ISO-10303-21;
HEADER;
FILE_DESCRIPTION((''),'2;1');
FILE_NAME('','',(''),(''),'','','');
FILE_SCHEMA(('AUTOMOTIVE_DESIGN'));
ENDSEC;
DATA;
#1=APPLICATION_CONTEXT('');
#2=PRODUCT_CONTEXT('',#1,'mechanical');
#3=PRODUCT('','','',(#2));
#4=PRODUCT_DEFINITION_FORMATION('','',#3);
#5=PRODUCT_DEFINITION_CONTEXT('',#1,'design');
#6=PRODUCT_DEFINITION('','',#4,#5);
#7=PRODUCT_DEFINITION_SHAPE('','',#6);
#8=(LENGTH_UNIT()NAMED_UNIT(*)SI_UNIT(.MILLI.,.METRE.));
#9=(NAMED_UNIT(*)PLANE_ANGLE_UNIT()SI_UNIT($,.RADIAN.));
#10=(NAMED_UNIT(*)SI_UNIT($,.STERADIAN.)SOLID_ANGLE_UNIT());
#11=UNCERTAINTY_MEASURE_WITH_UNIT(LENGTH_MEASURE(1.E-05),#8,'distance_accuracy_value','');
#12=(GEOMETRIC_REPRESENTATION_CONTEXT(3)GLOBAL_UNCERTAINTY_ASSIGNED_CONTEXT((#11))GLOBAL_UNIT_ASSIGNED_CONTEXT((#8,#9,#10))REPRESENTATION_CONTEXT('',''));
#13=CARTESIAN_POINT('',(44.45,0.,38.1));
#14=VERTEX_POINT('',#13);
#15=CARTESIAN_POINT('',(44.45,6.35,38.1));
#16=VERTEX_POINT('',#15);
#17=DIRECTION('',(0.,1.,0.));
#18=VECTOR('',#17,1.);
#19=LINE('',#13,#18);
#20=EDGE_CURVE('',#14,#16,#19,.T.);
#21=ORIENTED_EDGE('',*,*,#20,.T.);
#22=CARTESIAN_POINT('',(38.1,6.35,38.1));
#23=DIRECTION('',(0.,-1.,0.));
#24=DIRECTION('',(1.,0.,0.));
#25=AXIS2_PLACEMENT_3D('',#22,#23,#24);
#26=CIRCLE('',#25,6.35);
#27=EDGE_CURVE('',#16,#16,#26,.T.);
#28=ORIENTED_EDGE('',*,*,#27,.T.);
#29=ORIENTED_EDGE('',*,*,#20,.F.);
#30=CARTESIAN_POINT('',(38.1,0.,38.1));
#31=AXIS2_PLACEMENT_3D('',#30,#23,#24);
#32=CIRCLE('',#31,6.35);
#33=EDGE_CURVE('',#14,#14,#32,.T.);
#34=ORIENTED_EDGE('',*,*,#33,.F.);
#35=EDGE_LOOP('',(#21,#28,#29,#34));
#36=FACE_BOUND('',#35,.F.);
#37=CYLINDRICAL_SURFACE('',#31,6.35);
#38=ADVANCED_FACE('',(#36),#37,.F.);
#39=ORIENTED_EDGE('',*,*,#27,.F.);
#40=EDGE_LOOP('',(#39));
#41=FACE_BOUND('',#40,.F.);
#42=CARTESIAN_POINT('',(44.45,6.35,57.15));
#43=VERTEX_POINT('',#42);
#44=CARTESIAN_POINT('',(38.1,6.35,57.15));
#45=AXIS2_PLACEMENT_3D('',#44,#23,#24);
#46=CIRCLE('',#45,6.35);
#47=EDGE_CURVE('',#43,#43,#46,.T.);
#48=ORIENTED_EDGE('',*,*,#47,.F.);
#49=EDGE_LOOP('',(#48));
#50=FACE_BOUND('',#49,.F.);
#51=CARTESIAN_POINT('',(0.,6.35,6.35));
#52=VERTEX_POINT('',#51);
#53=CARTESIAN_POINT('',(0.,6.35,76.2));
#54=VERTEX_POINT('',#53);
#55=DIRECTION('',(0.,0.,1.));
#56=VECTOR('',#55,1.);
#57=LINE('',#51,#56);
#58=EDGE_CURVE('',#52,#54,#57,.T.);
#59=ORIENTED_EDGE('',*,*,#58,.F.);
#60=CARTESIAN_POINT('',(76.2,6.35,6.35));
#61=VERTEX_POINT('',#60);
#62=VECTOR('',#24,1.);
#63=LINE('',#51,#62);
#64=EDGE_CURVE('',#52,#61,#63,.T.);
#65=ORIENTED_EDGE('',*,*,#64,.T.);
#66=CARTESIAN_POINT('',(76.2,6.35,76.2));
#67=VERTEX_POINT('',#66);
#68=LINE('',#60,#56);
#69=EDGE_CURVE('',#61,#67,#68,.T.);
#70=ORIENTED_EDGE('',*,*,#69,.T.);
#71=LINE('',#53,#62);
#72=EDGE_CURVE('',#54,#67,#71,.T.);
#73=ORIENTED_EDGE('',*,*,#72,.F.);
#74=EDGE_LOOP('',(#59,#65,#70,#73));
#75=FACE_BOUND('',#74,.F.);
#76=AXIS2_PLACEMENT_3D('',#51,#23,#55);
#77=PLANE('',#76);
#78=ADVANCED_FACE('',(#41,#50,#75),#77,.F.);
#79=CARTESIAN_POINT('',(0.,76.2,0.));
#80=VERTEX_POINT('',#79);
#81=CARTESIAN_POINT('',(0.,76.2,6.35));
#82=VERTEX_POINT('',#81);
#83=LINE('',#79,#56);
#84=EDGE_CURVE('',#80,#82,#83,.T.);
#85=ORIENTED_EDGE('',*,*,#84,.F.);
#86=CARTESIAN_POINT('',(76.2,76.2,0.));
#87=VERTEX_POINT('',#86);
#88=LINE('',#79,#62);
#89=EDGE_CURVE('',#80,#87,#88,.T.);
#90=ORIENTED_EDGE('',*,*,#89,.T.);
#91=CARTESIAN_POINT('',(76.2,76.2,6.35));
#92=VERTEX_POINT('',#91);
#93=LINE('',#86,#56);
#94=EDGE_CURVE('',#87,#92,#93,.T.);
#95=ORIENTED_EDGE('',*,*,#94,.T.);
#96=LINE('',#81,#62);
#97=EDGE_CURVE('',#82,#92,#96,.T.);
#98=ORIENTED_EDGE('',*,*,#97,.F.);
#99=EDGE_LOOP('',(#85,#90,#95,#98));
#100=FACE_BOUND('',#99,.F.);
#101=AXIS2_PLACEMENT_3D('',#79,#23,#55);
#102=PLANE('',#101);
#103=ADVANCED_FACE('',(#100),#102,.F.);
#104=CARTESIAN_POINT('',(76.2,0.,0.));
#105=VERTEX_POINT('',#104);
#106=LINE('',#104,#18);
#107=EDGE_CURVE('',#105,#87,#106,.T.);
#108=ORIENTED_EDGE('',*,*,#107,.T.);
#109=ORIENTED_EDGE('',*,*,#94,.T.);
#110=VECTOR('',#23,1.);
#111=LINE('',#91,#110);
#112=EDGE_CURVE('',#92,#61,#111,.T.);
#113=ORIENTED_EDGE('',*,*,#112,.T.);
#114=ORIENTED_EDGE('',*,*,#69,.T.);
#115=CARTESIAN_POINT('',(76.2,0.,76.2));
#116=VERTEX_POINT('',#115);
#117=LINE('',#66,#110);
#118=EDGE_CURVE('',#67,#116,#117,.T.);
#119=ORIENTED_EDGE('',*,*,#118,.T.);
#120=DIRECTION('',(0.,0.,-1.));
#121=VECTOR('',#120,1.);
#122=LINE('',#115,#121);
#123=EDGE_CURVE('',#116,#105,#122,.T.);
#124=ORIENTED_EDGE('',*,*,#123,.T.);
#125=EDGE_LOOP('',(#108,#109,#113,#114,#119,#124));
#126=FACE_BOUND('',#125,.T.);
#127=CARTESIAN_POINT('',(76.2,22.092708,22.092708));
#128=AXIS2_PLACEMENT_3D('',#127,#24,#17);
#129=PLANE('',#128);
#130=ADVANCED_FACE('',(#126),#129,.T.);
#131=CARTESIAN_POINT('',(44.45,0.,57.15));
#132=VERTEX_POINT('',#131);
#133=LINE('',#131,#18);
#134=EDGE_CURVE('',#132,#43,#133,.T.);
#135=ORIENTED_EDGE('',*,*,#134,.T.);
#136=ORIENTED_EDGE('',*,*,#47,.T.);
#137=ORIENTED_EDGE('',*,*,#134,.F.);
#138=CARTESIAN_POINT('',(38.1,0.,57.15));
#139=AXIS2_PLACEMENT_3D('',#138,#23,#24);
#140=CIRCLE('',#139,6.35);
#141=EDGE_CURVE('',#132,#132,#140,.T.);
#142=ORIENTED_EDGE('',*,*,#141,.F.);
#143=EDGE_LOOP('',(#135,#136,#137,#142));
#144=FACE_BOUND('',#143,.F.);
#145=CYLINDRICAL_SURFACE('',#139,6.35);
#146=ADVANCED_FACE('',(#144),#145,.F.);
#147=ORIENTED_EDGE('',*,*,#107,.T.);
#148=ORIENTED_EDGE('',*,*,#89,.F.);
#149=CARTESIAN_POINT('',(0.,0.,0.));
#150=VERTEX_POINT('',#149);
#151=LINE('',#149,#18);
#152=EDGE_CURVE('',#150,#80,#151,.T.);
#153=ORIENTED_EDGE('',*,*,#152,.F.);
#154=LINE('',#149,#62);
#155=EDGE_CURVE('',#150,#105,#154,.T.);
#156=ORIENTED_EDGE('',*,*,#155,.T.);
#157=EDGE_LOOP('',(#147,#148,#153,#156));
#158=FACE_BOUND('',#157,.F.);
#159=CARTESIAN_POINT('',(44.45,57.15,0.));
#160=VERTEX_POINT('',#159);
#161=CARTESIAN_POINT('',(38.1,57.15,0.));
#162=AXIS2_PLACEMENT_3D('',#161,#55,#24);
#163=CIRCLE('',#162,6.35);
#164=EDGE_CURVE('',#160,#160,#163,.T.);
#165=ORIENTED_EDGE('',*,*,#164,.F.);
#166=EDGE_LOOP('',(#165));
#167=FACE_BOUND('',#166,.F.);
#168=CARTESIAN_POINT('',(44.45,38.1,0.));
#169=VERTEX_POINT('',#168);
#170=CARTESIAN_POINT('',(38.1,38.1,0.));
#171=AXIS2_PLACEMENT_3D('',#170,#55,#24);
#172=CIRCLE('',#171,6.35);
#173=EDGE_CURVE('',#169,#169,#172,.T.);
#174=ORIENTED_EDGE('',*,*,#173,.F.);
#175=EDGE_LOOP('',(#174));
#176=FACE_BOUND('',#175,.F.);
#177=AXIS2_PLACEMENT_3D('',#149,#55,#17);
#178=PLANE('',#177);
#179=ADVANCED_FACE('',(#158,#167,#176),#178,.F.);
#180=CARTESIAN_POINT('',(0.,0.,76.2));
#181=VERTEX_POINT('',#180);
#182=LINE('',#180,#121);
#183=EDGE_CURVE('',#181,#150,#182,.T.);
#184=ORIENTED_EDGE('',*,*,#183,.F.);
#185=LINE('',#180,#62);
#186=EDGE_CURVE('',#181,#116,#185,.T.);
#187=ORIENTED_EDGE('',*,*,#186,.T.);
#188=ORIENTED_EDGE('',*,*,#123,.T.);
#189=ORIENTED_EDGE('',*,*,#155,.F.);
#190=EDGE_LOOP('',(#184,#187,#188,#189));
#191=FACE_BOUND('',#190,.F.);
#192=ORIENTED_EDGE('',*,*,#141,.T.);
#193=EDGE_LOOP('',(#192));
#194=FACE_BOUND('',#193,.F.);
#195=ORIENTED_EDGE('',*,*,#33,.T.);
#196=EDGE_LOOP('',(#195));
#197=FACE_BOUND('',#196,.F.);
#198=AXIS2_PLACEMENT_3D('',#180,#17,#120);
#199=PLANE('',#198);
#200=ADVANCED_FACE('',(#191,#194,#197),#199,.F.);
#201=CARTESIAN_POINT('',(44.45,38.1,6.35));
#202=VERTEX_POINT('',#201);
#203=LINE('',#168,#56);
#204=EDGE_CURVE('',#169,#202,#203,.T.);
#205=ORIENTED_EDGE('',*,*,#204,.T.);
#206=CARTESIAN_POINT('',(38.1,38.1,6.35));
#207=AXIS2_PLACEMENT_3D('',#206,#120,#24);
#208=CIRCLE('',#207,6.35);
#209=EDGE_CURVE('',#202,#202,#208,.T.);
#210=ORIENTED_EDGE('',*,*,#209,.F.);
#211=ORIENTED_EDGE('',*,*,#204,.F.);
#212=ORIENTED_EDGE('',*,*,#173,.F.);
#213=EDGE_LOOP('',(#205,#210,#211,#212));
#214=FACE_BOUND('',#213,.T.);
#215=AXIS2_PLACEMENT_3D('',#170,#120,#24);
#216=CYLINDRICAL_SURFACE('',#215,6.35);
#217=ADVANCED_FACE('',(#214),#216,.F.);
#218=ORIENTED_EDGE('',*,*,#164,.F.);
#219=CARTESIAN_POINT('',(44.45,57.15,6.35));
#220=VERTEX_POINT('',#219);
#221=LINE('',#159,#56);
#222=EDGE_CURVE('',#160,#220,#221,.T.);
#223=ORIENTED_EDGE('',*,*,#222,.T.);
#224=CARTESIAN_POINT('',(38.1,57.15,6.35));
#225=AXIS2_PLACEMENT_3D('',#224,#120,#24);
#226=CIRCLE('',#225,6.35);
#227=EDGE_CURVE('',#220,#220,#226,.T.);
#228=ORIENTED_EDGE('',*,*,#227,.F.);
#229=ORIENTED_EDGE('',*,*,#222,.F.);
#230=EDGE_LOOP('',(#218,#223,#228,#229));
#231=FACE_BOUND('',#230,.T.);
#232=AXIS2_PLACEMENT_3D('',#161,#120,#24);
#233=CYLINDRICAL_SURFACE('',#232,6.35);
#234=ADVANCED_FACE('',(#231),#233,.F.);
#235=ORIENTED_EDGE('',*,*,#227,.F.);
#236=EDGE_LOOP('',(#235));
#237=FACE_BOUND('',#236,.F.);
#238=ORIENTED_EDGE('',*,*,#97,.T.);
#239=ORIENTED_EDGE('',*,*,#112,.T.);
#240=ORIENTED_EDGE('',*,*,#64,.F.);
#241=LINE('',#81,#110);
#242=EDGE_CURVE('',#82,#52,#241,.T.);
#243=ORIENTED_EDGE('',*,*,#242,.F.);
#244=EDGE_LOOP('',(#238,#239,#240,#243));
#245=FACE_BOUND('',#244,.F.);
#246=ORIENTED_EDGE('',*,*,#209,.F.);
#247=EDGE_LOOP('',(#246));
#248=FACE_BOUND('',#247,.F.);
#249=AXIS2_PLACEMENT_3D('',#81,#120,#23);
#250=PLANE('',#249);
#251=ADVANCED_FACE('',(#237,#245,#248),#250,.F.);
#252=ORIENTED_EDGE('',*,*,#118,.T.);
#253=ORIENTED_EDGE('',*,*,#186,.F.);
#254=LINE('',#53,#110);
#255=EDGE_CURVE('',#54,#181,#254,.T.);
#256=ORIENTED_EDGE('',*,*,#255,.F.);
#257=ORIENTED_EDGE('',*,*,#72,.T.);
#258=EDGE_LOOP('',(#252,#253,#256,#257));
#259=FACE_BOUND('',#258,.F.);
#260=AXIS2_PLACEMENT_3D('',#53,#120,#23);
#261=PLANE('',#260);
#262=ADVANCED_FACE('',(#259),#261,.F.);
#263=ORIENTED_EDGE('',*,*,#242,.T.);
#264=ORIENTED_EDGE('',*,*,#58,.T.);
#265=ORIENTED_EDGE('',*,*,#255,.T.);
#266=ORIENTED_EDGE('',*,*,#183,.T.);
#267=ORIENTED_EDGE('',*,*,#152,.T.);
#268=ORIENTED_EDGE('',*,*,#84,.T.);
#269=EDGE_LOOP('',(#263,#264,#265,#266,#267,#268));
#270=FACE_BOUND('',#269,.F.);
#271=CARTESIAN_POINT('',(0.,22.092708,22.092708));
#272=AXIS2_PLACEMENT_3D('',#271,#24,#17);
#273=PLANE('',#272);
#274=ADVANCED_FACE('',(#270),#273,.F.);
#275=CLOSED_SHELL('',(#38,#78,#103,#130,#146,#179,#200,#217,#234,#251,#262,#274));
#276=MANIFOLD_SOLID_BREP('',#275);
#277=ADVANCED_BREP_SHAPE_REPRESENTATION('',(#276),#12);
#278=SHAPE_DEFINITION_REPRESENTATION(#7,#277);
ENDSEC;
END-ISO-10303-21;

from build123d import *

# Parameters (mm, degrees)
F1_DEPTH = 76.2
F2_R     = 6.35
F3_DEPTH = 76.201
F4_R     = 6.35
F5_DEPTH = 76.201


with BuildPart() as f1:
    # F0 (on Right) → F1 (new body)
    with BuildSketch(Plane.YZ):
        Polygon((0, 76.2), (0, 0), (76.2, 0), (76.2, 6.35), (6.35, 6.35), (6.35, 76.2), align=None)
    extrude(amount=F1_DEPTH)

    # F2 (on Front) → F3 (cut, through all)
    with BuildSketch(Plane.XZ):
        with Locations((38.1, 57.15)):
            Circle(F2_R)
        with Locations((38.1, 38.1)):
            Circle(F2_R)
    extrude(amount=-F3_DEPTH, mode=Mode.SUBTRACT)

    # F4 (on Top) → F5 (cut, through all)
    with BuildSketch(Plane.XY):
        with Locations((38.1, 38.1)):
            Circle(F4_R)
        with Locations((38.1, 57.15)):
            Circle(F4_R)
    extrude(amount=F5_DEPTH, mode=Mode.SUBTRACT)


solid = f1.part
